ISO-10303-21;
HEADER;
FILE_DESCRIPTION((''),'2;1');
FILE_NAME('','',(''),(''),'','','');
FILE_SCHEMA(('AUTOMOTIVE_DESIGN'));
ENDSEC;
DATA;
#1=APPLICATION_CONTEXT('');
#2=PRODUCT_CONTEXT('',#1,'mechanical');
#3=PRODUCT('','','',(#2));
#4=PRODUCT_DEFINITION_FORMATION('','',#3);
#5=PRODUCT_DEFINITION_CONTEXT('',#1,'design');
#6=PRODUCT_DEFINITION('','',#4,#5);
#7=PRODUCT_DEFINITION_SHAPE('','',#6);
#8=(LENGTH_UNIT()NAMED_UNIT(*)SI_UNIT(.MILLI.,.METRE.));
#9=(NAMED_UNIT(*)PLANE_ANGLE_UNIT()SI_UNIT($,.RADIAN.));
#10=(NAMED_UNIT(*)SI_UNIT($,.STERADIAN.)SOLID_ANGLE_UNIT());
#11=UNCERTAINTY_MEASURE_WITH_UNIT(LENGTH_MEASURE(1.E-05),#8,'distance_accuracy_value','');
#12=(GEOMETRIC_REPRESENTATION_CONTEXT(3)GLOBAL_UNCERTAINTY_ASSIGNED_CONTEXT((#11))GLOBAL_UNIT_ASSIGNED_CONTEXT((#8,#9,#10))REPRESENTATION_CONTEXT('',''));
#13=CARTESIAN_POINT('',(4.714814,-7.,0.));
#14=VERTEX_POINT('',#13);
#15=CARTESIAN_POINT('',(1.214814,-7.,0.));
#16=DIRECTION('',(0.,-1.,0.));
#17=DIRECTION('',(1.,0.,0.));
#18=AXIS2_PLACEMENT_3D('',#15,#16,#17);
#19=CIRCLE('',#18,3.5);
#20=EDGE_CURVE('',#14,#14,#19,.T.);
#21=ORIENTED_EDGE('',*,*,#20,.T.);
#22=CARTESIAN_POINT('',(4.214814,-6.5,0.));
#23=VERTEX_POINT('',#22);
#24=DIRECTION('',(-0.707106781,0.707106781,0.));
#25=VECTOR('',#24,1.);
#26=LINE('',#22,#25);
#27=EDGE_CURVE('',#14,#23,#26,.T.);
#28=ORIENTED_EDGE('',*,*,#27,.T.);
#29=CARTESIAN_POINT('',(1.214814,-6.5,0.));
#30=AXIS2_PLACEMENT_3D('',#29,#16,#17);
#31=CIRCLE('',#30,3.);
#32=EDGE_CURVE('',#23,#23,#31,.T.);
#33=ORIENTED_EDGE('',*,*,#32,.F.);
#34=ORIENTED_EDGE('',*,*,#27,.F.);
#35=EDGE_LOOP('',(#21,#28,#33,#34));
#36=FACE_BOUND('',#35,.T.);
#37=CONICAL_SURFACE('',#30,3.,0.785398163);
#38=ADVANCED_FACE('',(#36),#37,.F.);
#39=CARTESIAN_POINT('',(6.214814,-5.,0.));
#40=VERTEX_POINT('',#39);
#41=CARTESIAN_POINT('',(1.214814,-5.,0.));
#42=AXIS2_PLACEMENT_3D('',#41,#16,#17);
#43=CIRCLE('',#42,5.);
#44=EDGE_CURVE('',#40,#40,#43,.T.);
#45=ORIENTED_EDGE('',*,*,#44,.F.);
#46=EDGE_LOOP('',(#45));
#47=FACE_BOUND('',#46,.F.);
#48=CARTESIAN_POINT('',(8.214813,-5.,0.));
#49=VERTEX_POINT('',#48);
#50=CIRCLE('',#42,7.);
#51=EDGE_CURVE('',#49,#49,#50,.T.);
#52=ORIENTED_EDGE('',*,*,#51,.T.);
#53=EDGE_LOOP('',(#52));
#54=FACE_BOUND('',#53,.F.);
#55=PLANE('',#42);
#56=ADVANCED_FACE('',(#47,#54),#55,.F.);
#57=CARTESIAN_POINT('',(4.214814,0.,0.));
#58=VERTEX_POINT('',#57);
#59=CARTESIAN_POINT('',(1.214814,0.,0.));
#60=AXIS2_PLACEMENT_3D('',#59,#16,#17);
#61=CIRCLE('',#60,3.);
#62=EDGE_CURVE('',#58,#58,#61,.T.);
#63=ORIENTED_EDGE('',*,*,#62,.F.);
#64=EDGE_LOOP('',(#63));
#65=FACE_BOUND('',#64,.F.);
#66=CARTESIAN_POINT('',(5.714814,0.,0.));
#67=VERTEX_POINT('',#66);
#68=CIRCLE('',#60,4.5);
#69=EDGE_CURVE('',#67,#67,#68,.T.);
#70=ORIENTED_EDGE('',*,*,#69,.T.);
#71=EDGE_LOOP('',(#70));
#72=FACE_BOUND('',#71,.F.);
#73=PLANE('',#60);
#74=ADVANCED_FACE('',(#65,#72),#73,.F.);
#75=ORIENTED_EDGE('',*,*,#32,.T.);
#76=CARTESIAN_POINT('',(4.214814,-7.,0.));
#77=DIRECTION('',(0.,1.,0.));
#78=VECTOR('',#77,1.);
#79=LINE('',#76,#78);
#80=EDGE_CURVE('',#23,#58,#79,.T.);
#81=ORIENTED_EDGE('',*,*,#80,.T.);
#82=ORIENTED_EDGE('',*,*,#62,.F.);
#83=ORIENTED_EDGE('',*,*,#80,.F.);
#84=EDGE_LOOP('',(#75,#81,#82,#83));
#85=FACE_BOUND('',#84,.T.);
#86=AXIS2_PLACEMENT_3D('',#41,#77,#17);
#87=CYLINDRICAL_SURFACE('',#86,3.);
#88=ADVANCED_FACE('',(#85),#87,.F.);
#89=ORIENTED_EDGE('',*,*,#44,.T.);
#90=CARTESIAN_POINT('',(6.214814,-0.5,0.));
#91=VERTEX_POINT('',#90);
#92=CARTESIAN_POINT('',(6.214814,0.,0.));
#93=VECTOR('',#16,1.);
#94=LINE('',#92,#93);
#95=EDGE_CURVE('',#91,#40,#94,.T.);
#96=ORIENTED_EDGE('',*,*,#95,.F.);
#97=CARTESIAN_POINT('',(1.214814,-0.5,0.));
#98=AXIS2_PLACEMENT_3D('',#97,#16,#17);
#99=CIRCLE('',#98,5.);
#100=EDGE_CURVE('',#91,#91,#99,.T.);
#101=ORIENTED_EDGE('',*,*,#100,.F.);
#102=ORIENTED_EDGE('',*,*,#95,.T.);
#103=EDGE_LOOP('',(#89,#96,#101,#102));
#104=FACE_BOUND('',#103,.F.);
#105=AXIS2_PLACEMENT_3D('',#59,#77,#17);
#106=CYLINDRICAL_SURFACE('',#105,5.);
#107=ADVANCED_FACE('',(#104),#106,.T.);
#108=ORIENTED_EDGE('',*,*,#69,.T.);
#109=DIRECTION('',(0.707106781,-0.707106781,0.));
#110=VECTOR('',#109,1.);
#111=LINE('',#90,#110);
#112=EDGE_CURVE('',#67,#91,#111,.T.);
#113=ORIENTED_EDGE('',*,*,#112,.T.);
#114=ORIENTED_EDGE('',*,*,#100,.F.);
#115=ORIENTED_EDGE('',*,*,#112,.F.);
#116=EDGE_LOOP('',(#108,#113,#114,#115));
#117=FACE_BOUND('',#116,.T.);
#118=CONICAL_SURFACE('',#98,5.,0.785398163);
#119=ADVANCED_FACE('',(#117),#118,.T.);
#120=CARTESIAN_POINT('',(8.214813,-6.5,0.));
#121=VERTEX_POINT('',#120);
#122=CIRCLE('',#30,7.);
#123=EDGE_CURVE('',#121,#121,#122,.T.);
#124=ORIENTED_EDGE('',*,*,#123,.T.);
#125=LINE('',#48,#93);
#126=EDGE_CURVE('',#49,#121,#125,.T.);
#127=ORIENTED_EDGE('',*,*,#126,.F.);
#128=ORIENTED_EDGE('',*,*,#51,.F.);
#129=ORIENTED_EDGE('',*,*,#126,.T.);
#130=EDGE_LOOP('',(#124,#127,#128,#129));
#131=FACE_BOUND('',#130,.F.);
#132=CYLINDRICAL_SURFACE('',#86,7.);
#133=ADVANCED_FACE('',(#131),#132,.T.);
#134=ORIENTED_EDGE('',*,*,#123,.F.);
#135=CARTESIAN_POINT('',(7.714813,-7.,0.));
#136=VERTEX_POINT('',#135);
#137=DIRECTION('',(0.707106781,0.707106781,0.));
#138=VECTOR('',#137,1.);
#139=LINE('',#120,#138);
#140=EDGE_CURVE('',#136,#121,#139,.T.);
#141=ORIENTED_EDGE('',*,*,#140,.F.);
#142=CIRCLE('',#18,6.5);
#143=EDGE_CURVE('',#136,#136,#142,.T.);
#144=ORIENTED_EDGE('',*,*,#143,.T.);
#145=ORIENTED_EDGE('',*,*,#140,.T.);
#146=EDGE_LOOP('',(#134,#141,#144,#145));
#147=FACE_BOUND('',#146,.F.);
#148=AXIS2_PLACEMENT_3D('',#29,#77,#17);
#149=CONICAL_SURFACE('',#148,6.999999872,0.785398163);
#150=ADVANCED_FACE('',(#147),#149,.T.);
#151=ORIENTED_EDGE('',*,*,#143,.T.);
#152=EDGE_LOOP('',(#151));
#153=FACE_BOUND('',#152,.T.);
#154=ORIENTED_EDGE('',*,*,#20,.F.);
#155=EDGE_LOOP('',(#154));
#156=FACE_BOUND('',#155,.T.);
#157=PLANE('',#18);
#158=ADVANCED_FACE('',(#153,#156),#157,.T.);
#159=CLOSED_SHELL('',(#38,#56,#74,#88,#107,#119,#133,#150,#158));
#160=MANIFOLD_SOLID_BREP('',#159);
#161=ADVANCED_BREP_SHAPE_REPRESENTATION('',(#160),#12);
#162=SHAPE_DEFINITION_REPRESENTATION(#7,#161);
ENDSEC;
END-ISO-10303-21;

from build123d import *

# Parameters (mm, degrees)
F0_R     = 5
F0_R_2   = 3
F1_DEPTH = 5
F2_R     = 6.9999998716
F2_R_2   = 5
F2_R_3   = 3
F3_DEPTH = 2
F4_SIZE  = 0.5
F5_SIZE  = 0.5
F6_SIZE  = 0.5


with BuildPart() as f1:
    # F0 (on Front) → F1 (new body)
    with BuildSketch(Plane.XZ):
        with Locations((1.2148135622, 0)):
            Circle(F0_R)
        with Locations((1.2148135622, 0)):
            Circle(F0_R_2, mode=Mode.SUBTRACT)
    extrude(amount=F1_DEPTH)

    # F2 (on face) → F3 (join)
    with BuildSketch(Plane.XZ.offset(5)):
        with Locations((1.2148135622, 0)):
            Circle(F2_R)
        with Locations((1.2148135622, 0)):
            Circle(F2_R_2, mode=Mode.SUBTRACT)
        with Locations((1.2148135622, 0)):
            Circle(F2_R_2)
        with Locations((1.2148135622, 0)):
            Circle(F2_R_3, mode=Mode.SUBTRACT)
    extrude(amount=F3_DEPTH)

    # F4
    f4_edges = [f1.edges().sort_by_distance(p)[0] for p in [
        (-1.785186, -7, 0),
    ]]
    chamfer(f4_edges, length=F4_SIZE)

    # F5
    f5_edges = [f1.edges().sort_by_distance(p)[0] for p in [
        (-5.785186, -7, 0),
    ]]
    chamfer(f5_edges, length=F5_SIZE)

    # F6
    f6_edges = [f1.edges().sort_by_distance(p)[0] for p in [
        (-3.785186, 0, 0),
    ]]
    chamfer(f6_edges, length=F6_SIZE)


solid = f1.part
